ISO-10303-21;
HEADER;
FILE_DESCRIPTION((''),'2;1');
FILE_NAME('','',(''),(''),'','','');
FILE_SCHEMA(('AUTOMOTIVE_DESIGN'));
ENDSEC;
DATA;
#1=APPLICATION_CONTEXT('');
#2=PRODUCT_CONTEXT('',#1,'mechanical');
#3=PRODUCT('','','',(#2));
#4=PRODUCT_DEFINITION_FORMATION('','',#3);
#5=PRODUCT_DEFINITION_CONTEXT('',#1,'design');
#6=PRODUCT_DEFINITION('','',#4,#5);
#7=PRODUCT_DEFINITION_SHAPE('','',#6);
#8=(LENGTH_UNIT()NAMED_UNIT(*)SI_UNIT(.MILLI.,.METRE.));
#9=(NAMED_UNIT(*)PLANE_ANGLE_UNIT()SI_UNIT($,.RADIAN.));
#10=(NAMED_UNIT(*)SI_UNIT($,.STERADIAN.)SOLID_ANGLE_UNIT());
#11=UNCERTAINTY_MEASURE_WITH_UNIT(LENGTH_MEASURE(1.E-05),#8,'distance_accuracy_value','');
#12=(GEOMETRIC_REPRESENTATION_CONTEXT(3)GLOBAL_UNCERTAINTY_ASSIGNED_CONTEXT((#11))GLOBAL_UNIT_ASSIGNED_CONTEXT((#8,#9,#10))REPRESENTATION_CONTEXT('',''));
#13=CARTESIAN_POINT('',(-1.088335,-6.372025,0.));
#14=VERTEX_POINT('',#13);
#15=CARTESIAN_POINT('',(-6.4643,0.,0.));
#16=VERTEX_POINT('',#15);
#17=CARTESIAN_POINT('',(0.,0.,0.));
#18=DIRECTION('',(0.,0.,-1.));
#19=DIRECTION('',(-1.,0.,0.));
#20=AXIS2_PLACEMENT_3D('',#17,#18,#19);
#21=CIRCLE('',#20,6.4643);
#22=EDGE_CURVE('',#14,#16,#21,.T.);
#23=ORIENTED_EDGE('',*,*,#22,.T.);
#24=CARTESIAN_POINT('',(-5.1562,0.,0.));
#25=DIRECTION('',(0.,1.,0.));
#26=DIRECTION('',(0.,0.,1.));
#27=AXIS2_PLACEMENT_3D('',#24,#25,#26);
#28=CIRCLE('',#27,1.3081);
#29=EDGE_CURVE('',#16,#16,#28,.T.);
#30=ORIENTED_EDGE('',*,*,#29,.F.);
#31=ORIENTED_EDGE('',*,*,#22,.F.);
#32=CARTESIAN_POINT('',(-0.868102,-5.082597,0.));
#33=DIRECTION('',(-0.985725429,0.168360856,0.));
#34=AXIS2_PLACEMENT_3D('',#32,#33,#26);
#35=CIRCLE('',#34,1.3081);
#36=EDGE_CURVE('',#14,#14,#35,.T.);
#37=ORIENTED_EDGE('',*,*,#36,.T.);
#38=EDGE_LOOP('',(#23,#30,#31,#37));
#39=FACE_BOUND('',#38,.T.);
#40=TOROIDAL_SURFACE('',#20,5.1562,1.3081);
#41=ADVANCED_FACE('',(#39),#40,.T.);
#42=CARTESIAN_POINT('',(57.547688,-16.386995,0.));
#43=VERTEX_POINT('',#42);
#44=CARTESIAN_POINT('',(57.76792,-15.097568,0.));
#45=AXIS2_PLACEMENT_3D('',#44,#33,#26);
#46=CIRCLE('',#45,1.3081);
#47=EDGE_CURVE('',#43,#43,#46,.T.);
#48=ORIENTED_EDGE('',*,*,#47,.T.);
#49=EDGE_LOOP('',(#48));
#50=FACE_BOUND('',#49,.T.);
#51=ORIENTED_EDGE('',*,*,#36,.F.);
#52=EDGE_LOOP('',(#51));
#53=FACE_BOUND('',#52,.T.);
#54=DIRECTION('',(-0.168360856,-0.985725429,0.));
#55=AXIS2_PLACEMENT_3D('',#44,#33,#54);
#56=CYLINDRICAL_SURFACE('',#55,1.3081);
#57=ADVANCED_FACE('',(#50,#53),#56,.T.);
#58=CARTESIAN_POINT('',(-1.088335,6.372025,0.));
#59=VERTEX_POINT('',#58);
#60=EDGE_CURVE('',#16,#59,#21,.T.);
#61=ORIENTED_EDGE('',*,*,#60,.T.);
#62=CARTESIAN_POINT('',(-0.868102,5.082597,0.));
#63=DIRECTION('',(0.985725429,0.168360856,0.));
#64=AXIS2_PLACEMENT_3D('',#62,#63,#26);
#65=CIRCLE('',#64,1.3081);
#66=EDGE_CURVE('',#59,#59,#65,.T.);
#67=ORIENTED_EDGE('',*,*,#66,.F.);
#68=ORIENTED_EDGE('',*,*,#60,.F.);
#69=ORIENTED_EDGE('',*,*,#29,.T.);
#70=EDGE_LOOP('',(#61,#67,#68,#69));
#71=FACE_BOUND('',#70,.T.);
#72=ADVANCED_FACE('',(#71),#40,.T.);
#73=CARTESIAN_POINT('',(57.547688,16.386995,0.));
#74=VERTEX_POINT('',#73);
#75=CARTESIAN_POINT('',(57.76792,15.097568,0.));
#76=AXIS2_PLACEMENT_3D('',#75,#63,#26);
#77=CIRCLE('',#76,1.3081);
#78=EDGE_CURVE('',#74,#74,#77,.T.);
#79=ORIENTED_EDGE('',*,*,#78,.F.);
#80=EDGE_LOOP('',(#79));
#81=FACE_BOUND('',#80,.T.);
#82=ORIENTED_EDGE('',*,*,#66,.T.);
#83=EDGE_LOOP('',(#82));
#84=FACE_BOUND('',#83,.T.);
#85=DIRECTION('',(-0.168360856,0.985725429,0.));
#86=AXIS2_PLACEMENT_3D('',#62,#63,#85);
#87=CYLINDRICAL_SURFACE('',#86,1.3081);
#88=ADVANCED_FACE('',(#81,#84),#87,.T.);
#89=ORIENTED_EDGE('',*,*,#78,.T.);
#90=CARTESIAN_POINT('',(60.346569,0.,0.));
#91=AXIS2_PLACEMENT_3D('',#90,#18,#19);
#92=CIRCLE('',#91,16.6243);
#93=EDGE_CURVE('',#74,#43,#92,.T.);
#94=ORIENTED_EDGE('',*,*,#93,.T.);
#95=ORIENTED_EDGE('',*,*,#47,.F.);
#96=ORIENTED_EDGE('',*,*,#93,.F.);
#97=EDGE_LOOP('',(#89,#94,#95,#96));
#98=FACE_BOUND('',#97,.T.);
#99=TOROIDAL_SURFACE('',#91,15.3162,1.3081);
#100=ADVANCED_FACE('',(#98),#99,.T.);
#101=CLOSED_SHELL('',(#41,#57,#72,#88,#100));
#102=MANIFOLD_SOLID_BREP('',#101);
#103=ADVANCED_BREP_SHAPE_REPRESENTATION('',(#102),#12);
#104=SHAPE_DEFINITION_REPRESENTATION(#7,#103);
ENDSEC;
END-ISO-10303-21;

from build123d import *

# Parameters (mm, degrees)
SKETCH2_R = 1.3081


with BuildPart() as part:
    # Sweep1: sweep along a path in Sketch1
    with BuildLine(Plane.XY) as sweep1_path:
        Line((-0.868102245, 5.082597459), (57.767920416, 15.097567822))
        ThreePointArc((57.767920416, 15.097567822), (75.662768957, 0), (57.767920416, -15.097567822))
        Line((57.767920416, -15.097567822), (-0.868102245, -5.082597459))
        ThreePointArc((-0.868102245, -5.082597459), (-5.1562, 0), (-0.868102245, 5.082597459))
    # Sketch2 → Sweep1 (sweep)
    with BuildSketch(Plane(origin=(0, 0, 0), x_dir=(1, 0, 0), z_dir=(0, 1, 0))):
        with Locations((-5.1562, 0)):
            Circle(SKETCH2_R)
    sweep(path=sweep1_path.line)


solid = part.part
